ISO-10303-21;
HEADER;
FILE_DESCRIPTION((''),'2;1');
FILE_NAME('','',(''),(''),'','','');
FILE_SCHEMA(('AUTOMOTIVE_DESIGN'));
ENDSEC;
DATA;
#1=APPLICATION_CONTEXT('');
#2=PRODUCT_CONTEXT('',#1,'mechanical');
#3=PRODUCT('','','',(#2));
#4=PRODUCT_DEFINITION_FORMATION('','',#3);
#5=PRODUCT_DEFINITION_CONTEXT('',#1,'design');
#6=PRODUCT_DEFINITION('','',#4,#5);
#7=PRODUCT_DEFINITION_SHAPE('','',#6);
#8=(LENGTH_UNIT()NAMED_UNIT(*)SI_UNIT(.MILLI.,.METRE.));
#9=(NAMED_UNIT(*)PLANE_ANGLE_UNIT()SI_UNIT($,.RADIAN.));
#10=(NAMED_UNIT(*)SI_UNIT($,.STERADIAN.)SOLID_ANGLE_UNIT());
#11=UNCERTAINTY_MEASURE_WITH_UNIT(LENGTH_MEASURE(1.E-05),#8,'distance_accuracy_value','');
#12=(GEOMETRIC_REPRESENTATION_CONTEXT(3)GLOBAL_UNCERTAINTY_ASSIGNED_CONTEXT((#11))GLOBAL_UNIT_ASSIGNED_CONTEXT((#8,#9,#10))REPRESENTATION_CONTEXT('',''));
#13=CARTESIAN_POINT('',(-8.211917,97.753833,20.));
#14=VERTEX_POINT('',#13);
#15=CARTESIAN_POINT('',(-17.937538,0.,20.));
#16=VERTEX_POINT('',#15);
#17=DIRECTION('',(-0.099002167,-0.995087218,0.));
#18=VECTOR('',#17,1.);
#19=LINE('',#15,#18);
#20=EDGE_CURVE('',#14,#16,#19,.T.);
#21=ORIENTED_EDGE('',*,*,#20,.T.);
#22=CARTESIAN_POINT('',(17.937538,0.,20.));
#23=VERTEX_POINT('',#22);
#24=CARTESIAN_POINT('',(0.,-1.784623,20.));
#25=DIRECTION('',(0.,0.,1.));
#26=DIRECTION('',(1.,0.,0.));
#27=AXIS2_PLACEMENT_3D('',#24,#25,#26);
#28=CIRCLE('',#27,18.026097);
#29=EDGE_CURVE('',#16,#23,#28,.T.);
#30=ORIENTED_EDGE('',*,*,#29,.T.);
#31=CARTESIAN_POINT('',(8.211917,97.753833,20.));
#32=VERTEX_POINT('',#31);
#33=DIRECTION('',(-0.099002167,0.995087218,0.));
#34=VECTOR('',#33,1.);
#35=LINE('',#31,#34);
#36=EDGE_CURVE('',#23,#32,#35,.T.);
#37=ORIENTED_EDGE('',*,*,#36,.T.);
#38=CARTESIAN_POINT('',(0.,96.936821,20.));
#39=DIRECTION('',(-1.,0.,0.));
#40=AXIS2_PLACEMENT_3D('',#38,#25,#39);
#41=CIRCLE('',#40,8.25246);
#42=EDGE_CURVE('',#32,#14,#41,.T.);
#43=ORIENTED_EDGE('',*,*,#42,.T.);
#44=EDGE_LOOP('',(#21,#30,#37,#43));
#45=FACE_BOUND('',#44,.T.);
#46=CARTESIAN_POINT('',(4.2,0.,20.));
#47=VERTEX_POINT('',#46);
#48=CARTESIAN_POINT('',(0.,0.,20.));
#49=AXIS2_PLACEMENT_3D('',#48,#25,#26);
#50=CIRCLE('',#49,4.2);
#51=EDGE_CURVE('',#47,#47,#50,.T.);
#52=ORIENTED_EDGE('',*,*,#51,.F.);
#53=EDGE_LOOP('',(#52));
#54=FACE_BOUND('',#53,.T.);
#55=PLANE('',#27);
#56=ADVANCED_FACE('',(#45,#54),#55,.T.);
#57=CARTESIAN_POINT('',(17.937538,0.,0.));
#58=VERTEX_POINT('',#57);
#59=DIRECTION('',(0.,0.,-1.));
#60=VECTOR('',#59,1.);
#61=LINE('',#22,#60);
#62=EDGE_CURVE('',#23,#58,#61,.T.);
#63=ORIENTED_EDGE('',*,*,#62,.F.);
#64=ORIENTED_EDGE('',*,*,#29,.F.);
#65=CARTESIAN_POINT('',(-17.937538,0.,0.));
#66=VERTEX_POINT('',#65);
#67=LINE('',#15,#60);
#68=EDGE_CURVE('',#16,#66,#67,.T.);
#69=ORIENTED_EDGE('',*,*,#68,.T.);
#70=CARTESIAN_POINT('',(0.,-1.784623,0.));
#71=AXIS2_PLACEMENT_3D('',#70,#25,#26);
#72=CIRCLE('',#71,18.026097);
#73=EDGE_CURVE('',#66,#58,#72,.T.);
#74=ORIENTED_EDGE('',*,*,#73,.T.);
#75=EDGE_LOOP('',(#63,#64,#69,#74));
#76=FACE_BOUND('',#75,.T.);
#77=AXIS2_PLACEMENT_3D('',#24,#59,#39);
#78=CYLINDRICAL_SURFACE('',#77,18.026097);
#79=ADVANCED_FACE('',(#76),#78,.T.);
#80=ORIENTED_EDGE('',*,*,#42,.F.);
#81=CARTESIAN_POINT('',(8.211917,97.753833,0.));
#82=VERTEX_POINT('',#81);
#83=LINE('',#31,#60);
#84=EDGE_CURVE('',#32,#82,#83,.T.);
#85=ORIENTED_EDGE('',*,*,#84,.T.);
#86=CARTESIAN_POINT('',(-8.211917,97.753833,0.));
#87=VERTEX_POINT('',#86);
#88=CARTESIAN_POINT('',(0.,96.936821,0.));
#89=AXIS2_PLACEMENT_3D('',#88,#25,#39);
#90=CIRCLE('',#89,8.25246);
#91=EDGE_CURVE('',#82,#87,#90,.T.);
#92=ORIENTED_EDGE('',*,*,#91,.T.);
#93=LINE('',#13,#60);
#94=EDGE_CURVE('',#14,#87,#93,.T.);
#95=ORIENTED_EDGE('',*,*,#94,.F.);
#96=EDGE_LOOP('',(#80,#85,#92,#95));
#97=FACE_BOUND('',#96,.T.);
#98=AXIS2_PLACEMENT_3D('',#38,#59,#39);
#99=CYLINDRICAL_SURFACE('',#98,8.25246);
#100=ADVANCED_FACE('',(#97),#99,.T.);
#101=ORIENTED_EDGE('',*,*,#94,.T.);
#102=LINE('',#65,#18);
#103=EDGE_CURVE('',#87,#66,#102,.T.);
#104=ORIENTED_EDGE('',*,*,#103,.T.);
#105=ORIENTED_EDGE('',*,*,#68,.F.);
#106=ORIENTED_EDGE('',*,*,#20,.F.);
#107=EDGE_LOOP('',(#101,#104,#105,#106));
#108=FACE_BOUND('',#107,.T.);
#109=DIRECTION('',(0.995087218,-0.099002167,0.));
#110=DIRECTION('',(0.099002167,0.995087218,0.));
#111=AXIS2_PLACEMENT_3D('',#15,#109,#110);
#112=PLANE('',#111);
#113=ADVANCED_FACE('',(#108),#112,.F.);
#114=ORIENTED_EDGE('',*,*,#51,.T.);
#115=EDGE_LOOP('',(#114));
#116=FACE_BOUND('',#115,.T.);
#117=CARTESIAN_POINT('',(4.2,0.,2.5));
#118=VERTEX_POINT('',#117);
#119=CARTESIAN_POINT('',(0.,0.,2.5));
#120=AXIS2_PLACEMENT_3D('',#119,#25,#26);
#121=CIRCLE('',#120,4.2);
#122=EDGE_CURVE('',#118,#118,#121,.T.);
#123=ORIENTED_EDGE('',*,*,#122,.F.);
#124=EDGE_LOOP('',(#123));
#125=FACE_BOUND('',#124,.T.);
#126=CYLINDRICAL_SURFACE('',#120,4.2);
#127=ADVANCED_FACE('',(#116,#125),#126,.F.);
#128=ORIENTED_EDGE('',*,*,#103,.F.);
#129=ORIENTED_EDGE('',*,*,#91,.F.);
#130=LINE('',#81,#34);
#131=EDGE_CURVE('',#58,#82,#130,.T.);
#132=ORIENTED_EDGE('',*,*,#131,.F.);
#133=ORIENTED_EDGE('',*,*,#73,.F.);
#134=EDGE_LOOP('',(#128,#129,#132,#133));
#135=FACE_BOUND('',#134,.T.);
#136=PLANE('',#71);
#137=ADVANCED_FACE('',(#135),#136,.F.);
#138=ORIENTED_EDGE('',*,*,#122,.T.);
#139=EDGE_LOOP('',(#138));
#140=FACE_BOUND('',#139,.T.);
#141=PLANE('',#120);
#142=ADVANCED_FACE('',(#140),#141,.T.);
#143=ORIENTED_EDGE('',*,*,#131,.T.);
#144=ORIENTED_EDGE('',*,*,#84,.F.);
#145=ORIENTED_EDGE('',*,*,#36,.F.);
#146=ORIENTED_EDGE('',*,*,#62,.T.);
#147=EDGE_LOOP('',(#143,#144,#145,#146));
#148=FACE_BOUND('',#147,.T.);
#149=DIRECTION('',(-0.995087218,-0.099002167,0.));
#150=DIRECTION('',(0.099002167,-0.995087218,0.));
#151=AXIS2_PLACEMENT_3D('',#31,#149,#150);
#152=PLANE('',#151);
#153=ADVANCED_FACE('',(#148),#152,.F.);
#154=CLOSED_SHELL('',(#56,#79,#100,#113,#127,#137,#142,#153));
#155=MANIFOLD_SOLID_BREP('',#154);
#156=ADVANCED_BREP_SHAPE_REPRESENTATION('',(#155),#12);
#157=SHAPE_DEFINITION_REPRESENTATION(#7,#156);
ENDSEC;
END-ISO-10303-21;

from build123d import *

# Parameters (mm, degrees)
BOSS_EXTRUDE1_DEPTH = 20
SKETCH2_R           = 4.2
CUT_EXTRUDE1_DEPTH  = 17.5


with BuildPart() as part:
    # Sketch1 → Boss-Extrude1 (new body)
    with BuildSketch(Plane(origin=(0, 0, 0), x_dir=(0, 1, 0), z_dir=(0, 0, 1))):
        with BuildLine():
            Line((0, 17.937538258), (97.753832512, 8.211917185))
            ThreePointArc((97.753832512, 8.211917185), (105.189280841, 0), (97.753832512, -8.211917185))
            Line((97.753832512, -8.211917185), (0, -17.937538258))
            ThreePointArc((0, -17.937538258), (-19.810719159, 0), (0, 17.937538258))
        make_face()
    extrude(amount=BOSS_EXTRUDE1_DEPTH)

    # Sketch2 → Cut-Extrude1 (cut)
    with BuildSketch(Plane.XY.offset(20)):
        Circle(SKETCH2_R)
    extrude(amount=-CUT_EXTRUDE1_DEPTH, mode=Mode.SUBTRACT)


solid = part.part
